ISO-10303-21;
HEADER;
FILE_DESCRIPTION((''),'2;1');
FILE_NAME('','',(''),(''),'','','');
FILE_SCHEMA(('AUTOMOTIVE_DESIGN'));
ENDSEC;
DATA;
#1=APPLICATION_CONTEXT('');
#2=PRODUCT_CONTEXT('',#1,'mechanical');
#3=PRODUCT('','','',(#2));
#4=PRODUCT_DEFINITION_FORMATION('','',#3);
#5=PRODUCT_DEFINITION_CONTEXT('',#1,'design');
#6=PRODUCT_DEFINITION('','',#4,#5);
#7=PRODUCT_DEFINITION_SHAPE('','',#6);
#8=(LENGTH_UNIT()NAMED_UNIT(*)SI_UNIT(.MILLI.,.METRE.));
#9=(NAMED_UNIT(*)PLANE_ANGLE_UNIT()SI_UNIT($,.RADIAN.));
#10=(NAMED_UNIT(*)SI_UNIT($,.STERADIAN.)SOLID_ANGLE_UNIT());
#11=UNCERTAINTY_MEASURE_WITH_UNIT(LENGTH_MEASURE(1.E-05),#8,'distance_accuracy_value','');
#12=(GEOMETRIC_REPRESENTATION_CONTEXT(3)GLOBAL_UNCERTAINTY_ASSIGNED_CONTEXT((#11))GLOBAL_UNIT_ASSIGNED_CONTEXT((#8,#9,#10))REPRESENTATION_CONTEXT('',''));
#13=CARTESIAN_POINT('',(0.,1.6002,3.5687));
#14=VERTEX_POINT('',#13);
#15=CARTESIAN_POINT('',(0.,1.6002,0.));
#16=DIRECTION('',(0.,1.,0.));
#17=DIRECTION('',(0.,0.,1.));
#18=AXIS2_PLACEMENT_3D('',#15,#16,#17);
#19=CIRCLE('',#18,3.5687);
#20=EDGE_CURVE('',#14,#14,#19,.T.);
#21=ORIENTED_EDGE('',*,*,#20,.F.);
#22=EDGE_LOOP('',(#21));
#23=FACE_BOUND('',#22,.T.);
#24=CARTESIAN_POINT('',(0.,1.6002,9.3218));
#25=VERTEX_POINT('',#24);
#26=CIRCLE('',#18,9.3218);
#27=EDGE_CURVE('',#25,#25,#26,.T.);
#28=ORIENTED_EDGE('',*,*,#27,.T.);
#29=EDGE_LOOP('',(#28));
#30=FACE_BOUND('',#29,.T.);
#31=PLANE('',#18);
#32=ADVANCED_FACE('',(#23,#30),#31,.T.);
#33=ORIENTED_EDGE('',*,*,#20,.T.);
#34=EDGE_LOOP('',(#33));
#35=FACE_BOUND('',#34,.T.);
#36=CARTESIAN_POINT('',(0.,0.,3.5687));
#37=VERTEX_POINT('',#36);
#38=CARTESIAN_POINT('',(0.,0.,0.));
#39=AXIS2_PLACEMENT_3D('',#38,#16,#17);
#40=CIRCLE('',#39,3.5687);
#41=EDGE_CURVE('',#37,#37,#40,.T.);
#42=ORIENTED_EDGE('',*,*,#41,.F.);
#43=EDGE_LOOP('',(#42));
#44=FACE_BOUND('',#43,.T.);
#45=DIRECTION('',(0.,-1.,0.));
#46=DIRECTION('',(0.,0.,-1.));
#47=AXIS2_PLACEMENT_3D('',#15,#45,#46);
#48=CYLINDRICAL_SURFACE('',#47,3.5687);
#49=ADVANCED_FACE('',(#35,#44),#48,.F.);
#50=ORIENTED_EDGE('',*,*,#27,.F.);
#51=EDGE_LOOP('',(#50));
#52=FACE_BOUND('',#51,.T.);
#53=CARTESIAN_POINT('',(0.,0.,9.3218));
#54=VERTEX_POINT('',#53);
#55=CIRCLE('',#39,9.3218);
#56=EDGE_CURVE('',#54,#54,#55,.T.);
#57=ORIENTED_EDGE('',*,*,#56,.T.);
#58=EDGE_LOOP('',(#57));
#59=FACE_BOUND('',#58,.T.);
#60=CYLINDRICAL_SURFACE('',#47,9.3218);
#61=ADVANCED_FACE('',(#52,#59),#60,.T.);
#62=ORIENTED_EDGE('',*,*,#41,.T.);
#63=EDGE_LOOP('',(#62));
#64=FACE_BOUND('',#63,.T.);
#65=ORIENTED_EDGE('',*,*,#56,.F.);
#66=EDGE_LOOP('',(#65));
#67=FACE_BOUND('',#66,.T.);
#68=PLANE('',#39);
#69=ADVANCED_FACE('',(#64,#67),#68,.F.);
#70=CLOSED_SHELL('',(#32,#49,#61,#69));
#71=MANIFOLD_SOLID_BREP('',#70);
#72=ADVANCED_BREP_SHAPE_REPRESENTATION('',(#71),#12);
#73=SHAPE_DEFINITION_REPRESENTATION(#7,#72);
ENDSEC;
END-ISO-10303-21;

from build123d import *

# Parameters (mm, degrees)
ESQUISSE1_R        = 9.3218
ESQUISSE1_R_2      = 3.5687
BOSS_EXTRU_1_DEPTH = 1.6002


with BuildPart() as part:
    # Esquisse1 → Boss.-Extru.1 (new body)
    with BuildSketch(Plane(origin=(0, 0, 0), x_dir=(1, 0, 0), z_dir=(0, 1, 0))):
        with Locations(Location((0, 0, 0), (0, 0, 270))):  # turned: the seam where the file's is
            Circle(ESQUISSE1_R)
        with Locations(Location((0, 0, 0), (0, 0, 270))):  # turned: the seam where the file's is
            Circle(ESQUISSE1_R_2, mode=Mode.SUBTRACT)
    extrude(amount=BOSS_EXTRU_1_DEPTH)


solid = part.part
